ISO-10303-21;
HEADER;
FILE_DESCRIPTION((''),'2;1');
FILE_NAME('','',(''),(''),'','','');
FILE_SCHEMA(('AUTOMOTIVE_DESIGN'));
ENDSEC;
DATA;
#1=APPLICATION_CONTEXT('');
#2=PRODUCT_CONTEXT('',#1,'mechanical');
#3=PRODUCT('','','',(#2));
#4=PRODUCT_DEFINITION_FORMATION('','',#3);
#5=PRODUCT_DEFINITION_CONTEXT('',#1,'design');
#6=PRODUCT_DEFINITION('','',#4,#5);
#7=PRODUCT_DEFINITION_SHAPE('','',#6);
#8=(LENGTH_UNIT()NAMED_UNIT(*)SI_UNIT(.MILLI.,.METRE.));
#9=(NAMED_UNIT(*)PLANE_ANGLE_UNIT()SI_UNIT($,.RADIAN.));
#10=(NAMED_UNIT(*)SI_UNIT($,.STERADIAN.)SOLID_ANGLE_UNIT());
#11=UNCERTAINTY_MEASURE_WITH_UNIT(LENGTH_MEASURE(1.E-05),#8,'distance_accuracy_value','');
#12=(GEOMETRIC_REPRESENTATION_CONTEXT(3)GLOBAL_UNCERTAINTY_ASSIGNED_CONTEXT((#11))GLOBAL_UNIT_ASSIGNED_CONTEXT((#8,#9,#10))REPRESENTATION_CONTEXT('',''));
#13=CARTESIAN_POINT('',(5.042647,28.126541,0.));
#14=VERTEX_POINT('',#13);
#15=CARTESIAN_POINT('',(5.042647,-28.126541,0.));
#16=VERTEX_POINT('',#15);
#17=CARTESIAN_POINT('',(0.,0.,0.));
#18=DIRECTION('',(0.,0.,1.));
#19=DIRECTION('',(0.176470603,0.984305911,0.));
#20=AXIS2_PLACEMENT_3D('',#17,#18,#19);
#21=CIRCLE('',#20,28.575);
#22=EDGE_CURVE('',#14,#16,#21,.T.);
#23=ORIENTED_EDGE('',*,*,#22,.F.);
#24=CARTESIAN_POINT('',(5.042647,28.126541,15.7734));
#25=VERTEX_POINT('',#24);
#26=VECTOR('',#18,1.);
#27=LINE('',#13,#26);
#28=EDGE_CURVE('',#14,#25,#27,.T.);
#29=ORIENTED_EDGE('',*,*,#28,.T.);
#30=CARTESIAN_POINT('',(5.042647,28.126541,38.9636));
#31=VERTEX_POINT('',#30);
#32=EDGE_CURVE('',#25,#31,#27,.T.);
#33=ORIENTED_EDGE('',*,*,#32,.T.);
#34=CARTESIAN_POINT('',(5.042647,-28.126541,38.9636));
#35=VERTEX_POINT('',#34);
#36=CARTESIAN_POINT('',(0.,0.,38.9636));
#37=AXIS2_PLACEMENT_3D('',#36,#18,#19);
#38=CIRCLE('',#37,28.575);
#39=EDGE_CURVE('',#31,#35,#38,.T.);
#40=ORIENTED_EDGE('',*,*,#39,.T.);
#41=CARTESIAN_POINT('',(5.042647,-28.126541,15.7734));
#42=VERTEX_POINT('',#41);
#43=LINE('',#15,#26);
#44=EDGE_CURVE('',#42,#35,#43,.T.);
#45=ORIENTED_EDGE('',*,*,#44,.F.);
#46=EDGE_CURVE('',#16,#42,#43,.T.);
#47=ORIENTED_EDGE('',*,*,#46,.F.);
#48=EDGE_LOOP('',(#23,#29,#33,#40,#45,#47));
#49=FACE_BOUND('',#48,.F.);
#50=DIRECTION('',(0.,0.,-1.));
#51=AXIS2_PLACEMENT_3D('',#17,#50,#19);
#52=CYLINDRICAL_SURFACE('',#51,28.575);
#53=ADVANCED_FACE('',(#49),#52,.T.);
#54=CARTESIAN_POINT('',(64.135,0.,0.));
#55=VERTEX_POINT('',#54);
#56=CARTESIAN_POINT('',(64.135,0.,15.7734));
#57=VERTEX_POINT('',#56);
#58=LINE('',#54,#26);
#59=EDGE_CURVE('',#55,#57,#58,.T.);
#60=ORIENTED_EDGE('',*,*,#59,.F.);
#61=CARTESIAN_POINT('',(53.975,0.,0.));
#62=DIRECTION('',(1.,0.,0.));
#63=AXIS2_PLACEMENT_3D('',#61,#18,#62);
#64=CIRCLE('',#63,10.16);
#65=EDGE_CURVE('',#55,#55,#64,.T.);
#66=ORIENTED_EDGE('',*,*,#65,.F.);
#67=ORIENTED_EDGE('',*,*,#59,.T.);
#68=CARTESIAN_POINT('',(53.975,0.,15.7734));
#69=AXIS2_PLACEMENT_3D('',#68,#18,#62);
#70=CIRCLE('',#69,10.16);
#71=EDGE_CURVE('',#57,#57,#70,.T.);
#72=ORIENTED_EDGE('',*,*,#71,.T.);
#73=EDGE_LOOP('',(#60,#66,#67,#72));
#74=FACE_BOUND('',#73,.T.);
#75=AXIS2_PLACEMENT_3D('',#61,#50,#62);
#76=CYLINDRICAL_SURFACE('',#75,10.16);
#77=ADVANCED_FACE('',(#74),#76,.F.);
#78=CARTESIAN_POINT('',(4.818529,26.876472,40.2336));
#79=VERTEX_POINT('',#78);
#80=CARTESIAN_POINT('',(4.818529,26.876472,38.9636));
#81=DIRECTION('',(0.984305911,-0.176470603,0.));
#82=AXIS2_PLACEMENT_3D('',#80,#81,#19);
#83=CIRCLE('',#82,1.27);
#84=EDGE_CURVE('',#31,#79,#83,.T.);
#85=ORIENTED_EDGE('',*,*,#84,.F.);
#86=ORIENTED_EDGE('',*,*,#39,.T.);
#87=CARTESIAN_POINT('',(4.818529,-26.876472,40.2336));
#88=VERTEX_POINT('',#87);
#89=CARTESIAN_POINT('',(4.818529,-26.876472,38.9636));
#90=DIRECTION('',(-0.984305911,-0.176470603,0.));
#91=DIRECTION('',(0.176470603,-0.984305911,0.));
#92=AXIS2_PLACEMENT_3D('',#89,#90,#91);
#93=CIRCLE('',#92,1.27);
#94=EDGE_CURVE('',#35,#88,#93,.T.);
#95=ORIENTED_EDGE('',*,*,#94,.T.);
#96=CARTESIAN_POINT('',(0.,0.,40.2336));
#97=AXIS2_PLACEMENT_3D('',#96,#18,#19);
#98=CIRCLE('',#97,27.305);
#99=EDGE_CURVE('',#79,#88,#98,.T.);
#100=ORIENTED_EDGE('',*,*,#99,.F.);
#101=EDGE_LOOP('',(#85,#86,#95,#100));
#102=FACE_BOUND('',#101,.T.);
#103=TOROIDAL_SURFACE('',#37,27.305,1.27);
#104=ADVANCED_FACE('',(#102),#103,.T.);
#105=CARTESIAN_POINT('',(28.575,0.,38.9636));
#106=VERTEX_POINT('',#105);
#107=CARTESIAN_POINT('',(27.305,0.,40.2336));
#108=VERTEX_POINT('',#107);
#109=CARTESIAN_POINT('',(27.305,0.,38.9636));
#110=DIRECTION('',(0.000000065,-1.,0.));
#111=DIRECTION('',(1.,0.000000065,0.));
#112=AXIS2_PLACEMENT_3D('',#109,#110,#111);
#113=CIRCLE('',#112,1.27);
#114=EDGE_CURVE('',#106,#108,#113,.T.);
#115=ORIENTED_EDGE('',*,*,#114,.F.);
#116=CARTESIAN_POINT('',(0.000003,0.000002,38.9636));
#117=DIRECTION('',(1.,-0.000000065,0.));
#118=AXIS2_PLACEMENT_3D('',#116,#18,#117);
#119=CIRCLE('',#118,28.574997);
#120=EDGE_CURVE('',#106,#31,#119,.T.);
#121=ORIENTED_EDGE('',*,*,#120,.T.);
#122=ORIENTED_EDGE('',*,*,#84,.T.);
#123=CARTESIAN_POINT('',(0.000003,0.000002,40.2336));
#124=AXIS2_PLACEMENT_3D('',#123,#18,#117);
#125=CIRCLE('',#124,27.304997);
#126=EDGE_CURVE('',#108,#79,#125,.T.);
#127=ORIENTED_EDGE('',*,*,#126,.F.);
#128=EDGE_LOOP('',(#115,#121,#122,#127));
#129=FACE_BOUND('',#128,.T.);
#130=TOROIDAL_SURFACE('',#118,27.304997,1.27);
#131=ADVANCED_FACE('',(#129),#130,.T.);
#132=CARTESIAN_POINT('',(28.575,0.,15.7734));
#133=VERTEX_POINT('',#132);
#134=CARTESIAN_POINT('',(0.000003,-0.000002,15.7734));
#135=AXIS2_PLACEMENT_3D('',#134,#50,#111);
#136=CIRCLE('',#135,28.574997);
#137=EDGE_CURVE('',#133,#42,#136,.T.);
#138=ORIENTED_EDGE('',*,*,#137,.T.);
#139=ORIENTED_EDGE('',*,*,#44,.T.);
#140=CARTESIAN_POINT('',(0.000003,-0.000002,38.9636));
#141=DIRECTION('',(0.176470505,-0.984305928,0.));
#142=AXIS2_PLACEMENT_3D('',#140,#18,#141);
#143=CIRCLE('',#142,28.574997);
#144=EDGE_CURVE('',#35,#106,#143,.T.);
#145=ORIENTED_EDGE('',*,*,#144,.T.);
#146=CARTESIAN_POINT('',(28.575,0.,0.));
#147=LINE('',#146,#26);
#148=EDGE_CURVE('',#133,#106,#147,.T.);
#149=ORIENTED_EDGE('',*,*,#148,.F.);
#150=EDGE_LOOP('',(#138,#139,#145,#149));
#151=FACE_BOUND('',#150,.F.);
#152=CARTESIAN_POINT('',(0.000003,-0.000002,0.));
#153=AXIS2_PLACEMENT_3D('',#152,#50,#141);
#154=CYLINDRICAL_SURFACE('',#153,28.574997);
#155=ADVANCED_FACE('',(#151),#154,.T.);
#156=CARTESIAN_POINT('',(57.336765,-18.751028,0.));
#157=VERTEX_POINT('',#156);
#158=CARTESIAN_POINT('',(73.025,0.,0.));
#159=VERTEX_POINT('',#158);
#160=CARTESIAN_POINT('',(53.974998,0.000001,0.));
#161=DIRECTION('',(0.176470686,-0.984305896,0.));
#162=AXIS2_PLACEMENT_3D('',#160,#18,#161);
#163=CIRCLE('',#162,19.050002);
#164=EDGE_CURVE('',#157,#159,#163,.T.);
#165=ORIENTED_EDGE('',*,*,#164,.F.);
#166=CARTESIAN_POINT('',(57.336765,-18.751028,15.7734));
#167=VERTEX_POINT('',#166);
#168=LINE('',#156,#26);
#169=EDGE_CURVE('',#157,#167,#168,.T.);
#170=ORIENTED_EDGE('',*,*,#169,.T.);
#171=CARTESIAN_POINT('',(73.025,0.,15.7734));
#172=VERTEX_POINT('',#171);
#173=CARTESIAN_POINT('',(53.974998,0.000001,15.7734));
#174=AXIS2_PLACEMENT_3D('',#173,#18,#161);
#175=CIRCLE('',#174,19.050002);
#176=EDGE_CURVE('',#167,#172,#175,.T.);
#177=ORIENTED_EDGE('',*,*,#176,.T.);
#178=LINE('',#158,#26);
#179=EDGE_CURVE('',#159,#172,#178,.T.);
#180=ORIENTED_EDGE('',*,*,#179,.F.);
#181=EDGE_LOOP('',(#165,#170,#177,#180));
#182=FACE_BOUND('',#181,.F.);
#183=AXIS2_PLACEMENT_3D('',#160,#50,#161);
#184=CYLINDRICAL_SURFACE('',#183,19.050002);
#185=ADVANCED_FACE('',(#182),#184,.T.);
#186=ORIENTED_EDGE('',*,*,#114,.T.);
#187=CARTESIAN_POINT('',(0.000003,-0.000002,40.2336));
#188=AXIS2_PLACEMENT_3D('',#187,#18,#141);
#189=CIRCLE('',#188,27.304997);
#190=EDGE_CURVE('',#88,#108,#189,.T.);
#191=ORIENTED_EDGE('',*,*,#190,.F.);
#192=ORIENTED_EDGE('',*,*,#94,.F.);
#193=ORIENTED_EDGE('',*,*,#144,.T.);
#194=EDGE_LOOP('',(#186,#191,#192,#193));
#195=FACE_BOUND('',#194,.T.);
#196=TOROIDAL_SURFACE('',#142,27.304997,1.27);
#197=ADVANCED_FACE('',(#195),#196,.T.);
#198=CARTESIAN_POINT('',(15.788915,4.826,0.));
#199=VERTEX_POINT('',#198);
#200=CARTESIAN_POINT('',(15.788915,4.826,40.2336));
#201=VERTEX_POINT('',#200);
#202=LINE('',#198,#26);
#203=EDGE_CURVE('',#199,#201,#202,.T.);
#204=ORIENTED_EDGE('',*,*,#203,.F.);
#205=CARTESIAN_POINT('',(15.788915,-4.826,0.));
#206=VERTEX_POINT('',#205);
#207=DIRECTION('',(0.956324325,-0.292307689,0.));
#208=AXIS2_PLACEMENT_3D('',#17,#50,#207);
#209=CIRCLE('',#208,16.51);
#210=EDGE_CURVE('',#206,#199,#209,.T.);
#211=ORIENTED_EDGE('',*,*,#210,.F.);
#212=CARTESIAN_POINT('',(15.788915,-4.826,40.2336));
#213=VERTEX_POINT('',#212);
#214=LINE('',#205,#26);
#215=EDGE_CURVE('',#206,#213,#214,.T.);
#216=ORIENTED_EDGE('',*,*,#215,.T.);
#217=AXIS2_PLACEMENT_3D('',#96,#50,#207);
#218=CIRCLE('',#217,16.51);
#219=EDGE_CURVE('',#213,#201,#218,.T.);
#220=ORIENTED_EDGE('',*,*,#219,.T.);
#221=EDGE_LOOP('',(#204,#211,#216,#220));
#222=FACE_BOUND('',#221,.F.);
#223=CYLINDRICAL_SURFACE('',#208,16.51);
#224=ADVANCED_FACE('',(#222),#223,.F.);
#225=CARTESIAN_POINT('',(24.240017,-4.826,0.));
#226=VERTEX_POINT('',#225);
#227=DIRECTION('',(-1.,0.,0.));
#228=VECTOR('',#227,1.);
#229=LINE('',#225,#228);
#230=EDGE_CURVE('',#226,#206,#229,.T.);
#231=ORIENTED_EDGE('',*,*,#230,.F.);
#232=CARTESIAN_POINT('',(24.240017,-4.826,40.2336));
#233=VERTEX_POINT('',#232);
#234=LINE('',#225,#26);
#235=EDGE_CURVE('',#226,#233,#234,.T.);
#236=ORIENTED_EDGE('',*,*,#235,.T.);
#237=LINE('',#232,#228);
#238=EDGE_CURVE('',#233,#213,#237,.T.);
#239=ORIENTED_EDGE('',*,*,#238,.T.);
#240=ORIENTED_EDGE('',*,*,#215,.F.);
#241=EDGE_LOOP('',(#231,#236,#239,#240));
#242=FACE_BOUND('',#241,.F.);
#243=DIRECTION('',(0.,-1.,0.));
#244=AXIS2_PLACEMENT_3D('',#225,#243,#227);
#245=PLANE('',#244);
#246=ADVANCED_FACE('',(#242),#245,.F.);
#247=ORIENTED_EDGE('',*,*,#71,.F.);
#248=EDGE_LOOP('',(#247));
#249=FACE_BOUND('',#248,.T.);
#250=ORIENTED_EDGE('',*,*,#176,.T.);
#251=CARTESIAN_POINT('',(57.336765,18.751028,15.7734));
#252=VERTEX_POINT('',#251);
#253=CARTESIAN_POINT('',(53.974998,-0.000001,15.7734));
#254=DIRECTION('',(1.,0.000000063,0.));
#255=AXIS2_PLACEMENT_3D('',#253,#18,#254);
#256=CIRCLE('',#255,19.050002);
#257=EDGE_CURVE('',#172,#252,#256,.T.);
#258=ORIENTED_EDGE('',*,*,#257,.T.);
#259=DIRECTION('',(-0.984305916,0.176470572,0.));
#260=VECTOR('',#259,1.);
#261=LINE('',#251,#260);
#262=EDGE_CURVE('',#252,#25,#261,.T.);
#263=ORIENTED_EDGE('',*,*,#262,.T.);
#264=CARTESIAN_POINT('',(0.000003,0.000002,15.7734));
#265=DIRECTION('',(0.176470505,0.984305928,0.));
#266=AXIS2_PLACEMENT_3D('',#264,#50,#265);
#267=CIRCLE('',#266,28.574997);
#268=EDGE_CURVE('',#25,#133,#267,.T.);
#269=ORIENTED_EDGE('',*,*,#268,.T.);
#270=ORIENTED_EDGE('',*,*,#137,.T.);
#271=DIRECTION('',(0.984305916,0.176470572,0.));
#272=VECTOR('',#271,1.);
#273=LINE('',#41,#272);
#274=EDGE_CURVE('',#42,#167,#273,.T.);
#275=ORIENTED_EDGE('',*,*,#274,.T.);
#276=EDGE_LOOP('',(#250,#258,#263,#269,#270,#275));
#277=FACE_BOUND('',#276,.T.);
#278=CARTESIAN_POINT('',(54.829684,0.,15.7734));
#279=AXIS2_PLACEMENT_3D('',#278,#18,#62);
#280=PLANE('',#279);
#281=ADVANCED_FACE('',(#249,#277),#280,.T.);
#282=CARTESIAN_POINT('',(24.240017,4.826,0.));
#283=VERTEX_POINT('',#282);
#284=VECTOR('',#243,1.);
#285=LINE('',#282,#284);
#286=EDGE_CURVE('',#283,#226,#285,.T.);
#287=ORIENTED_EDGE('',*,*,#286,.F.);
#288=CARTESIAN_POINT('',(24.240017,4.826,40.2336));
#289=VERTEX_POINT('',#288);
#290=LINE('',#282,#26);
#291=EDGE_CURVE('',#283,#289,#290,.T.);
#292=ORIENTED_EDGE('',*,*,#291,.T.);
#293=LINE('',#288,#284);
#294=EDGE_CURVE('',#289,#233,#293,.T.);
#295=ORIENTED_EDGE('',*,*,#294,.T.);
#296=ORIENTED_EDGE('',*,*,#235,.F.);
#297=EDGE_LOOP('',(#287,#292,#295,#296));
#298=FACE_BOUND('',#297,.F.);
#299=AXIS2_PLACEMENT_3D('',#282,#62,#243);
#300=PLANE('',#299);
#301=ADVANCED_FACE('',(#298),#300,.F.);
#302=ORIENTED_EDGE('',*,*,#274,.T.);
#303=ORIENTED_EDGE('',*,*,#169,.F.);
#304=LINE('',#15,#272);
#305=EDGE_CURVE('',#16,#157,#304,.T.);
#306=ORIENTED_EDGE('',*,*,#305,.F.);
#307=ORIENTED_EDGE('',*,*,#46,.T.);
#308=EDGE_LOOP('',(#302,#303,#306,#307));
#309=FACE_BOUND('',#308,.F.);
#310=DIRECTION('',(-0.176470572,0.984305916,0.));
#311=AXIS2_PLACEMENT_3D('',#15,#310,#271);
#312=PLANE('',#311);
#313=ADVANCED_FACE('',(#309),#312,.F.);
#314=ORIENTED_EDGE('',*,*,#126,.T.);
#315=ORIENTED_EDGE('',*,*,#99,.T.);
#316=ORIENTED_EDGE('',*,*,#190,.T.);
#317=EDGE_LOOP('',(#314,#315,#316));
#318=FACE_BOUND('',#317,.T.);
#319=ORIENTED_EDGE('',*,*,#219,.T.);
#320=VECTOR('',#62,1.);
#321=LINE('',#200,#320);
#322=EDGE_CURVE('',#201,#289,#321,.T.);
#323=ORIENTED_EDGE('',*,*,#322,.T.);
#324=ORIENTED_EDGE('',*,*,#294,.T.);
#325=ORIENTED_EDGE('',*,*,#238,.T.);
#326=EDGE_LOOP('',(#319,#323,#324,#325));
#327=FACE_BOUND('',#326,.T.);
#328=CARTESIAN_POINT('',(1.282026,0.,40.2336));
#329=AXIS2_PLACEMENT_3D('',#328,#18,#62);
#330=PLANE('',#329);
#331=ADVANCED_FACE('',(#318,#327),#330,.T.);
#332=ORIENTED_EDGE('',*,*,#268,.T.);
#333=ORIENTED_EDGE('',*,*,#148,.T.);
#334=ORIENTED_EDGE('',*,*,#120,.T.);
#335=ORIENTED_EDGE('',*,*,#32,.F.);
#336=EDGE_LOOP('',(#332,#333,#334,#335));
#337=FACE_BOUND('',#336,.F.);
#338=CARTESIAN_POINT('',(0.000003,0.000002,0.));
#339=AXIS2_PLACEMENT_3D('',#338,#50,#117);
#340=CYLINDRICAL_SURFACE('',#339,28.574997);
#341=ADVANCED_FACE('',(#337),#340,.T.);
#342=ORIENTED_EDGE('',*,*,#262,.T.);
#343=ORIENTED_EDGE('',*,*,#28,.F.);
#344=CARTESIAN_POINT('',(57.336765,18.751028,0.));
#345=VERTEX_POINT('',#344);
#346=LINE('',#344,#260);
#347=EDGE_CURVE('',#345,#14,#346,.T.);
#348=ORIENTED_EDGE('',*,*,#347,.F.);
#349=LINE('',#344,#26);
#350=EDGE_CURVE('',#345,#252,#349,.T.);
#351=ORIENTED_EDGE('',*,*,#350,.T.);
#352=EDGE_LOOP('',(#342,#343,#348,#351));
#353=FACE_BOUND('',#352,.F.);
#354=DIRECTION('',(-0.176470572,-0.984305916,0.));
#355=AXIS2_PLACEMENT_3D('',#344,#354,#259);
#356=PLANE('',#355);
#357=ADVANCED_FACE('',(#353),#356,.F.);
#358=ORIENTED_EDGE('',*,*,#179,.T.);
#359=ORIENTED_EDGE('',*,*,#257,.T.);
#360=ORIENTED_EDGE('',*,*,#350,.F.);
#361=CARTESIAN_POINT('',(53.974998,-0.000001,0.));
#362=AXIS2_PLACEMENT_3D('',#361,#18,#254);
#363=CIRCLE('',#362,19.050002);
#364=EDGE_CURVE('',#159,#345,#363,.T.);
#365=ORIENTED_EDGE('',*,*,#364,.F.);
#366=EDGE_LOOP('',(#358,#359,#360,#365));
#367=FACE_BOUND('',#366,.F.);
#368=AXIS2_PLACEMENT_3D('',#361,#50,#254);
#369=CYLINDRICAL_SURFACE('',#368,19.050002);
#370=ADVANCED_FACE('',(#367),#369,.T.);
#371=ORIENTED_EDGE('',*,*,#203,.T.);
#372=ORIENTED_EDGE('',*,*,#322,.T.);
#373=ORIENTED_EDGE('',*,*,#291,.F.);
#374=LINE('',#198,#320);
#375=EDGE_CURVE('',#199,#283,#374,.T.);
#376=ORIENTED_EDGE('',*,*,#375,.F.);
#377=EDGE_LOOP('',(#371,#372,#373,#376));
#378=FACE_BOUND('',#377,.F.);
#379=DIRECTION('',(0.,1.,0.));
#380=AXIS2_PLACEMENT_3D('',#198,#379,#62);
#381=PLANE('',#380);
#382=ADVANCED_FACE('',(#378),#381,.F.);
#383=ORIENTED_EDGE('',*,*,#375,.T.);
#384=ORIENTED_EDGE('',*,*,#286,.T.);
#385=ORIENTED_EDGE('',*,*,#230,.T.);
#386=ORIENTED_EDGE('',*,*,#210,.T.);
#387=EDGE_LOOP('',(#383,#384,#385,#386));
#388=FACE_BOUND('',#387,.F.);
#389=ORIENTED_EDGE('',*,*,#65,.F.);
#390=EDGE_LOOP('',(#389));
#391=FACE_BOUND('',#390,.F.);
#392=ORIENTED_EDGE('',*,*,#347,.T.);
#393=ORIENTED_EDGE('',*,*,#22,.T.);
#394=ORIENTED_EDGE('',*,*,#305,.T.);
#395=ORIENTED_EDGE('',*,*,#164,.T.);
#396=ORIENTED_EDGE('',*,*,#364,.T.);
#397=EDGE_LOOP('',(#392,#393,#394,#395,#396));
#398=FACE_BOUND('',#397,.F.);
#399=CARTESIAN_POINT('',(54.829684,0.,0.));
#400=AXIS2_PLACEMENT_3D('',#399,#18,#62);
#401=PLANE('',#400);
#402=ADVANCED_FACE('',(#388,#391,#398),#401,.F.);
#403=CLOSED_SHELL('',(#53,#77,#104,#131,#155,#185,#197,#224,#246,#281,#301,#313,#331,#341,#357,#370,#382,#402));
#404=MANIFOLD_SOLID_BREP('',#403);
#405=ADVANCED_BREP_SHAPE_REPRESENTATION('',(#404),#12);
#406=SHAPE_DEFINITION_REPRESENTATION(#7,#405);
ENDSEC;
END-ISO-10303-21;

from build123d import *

# Parameters (mm, degrees)
F1_DEPTH = 40.2336
F0_R     = 10.16
F2_DEPTH = 15.7734
F3_R     = 1.27


with BuildPart() as f1:
    # F0 (on Top) → F1 (new body)
    with BuildSketch(Plane.XY):
        with BuildLine():
            ThreePointArc((5.042647, -28.126541), (21.916025, -18.336262), (28.575, 0))
            ThreePointArc((28.575, 0), (21.916025, 18.336262), (5.042647, 28.126541))
            ThreePointArc((5.042647, 28.126541), (-28.575, 0), (5.042647, -28.126541))
        make_face()
        with BuildLine():
            ThreePointArc((15.788915, -4.826), (-16.51, 0), (15.788915, 4.826))
            Line((15.788915, 4.826), (24.240017, 4.826))
            Line((24.240017, 4.826), (24.240017, -4.826))
            Line((24.240017, -4.826), (15.788915, -4.826))
        make_face(mode=Mode.SUBTRACT)
    extrude(amount=F1_DEPTH)

    # F0 (on Top) → F2 (join)
    with BuildSketch(Plane.XY):
        with BuildLine():
            ThreePointArc((73.025, 0), (68.585683, 12.224174), (57.336765, 18.751028))
            ThreePointArc((57.336765, 18.751028), (34.925, 0), (57.336765, -18.751028))
            ThreePointArc((57.336765, -18.751028), (68.585683, -12.224174), (73.025, 0))
        make_face()
        with Locations((53.975, 0)):
            Circle(F0_R, mode=Mode.SUBTRACT)
        with BuildLine():
            ThreePointArc((5.042647, 28.126541), (21.916025, 18.336262), (28.575, 0))
            ThreePointArc((28.575, 0), (21.916025, -18.336262), (5.042647, -28.126541))
            Line((5.042647, -28.126541), (57.336765, -18.751028))
            ThreePointArc((57.336765, -18.751028), (34.925, 0), (57.336765, 18.751028))
            Line((57.336765, 18.751028), (5.042647, 28.126541))
        make_face()
    extrude(amount=F2_DEPTH)

    # F3
    f3_edges = [f1.edges().sort_by_distance(p)[0] for p in [
        (-5.042647, 28.126541, 40.2336),
    ]]
    fillet(f3_edges, radius=F3_R)


solid = f1.part
